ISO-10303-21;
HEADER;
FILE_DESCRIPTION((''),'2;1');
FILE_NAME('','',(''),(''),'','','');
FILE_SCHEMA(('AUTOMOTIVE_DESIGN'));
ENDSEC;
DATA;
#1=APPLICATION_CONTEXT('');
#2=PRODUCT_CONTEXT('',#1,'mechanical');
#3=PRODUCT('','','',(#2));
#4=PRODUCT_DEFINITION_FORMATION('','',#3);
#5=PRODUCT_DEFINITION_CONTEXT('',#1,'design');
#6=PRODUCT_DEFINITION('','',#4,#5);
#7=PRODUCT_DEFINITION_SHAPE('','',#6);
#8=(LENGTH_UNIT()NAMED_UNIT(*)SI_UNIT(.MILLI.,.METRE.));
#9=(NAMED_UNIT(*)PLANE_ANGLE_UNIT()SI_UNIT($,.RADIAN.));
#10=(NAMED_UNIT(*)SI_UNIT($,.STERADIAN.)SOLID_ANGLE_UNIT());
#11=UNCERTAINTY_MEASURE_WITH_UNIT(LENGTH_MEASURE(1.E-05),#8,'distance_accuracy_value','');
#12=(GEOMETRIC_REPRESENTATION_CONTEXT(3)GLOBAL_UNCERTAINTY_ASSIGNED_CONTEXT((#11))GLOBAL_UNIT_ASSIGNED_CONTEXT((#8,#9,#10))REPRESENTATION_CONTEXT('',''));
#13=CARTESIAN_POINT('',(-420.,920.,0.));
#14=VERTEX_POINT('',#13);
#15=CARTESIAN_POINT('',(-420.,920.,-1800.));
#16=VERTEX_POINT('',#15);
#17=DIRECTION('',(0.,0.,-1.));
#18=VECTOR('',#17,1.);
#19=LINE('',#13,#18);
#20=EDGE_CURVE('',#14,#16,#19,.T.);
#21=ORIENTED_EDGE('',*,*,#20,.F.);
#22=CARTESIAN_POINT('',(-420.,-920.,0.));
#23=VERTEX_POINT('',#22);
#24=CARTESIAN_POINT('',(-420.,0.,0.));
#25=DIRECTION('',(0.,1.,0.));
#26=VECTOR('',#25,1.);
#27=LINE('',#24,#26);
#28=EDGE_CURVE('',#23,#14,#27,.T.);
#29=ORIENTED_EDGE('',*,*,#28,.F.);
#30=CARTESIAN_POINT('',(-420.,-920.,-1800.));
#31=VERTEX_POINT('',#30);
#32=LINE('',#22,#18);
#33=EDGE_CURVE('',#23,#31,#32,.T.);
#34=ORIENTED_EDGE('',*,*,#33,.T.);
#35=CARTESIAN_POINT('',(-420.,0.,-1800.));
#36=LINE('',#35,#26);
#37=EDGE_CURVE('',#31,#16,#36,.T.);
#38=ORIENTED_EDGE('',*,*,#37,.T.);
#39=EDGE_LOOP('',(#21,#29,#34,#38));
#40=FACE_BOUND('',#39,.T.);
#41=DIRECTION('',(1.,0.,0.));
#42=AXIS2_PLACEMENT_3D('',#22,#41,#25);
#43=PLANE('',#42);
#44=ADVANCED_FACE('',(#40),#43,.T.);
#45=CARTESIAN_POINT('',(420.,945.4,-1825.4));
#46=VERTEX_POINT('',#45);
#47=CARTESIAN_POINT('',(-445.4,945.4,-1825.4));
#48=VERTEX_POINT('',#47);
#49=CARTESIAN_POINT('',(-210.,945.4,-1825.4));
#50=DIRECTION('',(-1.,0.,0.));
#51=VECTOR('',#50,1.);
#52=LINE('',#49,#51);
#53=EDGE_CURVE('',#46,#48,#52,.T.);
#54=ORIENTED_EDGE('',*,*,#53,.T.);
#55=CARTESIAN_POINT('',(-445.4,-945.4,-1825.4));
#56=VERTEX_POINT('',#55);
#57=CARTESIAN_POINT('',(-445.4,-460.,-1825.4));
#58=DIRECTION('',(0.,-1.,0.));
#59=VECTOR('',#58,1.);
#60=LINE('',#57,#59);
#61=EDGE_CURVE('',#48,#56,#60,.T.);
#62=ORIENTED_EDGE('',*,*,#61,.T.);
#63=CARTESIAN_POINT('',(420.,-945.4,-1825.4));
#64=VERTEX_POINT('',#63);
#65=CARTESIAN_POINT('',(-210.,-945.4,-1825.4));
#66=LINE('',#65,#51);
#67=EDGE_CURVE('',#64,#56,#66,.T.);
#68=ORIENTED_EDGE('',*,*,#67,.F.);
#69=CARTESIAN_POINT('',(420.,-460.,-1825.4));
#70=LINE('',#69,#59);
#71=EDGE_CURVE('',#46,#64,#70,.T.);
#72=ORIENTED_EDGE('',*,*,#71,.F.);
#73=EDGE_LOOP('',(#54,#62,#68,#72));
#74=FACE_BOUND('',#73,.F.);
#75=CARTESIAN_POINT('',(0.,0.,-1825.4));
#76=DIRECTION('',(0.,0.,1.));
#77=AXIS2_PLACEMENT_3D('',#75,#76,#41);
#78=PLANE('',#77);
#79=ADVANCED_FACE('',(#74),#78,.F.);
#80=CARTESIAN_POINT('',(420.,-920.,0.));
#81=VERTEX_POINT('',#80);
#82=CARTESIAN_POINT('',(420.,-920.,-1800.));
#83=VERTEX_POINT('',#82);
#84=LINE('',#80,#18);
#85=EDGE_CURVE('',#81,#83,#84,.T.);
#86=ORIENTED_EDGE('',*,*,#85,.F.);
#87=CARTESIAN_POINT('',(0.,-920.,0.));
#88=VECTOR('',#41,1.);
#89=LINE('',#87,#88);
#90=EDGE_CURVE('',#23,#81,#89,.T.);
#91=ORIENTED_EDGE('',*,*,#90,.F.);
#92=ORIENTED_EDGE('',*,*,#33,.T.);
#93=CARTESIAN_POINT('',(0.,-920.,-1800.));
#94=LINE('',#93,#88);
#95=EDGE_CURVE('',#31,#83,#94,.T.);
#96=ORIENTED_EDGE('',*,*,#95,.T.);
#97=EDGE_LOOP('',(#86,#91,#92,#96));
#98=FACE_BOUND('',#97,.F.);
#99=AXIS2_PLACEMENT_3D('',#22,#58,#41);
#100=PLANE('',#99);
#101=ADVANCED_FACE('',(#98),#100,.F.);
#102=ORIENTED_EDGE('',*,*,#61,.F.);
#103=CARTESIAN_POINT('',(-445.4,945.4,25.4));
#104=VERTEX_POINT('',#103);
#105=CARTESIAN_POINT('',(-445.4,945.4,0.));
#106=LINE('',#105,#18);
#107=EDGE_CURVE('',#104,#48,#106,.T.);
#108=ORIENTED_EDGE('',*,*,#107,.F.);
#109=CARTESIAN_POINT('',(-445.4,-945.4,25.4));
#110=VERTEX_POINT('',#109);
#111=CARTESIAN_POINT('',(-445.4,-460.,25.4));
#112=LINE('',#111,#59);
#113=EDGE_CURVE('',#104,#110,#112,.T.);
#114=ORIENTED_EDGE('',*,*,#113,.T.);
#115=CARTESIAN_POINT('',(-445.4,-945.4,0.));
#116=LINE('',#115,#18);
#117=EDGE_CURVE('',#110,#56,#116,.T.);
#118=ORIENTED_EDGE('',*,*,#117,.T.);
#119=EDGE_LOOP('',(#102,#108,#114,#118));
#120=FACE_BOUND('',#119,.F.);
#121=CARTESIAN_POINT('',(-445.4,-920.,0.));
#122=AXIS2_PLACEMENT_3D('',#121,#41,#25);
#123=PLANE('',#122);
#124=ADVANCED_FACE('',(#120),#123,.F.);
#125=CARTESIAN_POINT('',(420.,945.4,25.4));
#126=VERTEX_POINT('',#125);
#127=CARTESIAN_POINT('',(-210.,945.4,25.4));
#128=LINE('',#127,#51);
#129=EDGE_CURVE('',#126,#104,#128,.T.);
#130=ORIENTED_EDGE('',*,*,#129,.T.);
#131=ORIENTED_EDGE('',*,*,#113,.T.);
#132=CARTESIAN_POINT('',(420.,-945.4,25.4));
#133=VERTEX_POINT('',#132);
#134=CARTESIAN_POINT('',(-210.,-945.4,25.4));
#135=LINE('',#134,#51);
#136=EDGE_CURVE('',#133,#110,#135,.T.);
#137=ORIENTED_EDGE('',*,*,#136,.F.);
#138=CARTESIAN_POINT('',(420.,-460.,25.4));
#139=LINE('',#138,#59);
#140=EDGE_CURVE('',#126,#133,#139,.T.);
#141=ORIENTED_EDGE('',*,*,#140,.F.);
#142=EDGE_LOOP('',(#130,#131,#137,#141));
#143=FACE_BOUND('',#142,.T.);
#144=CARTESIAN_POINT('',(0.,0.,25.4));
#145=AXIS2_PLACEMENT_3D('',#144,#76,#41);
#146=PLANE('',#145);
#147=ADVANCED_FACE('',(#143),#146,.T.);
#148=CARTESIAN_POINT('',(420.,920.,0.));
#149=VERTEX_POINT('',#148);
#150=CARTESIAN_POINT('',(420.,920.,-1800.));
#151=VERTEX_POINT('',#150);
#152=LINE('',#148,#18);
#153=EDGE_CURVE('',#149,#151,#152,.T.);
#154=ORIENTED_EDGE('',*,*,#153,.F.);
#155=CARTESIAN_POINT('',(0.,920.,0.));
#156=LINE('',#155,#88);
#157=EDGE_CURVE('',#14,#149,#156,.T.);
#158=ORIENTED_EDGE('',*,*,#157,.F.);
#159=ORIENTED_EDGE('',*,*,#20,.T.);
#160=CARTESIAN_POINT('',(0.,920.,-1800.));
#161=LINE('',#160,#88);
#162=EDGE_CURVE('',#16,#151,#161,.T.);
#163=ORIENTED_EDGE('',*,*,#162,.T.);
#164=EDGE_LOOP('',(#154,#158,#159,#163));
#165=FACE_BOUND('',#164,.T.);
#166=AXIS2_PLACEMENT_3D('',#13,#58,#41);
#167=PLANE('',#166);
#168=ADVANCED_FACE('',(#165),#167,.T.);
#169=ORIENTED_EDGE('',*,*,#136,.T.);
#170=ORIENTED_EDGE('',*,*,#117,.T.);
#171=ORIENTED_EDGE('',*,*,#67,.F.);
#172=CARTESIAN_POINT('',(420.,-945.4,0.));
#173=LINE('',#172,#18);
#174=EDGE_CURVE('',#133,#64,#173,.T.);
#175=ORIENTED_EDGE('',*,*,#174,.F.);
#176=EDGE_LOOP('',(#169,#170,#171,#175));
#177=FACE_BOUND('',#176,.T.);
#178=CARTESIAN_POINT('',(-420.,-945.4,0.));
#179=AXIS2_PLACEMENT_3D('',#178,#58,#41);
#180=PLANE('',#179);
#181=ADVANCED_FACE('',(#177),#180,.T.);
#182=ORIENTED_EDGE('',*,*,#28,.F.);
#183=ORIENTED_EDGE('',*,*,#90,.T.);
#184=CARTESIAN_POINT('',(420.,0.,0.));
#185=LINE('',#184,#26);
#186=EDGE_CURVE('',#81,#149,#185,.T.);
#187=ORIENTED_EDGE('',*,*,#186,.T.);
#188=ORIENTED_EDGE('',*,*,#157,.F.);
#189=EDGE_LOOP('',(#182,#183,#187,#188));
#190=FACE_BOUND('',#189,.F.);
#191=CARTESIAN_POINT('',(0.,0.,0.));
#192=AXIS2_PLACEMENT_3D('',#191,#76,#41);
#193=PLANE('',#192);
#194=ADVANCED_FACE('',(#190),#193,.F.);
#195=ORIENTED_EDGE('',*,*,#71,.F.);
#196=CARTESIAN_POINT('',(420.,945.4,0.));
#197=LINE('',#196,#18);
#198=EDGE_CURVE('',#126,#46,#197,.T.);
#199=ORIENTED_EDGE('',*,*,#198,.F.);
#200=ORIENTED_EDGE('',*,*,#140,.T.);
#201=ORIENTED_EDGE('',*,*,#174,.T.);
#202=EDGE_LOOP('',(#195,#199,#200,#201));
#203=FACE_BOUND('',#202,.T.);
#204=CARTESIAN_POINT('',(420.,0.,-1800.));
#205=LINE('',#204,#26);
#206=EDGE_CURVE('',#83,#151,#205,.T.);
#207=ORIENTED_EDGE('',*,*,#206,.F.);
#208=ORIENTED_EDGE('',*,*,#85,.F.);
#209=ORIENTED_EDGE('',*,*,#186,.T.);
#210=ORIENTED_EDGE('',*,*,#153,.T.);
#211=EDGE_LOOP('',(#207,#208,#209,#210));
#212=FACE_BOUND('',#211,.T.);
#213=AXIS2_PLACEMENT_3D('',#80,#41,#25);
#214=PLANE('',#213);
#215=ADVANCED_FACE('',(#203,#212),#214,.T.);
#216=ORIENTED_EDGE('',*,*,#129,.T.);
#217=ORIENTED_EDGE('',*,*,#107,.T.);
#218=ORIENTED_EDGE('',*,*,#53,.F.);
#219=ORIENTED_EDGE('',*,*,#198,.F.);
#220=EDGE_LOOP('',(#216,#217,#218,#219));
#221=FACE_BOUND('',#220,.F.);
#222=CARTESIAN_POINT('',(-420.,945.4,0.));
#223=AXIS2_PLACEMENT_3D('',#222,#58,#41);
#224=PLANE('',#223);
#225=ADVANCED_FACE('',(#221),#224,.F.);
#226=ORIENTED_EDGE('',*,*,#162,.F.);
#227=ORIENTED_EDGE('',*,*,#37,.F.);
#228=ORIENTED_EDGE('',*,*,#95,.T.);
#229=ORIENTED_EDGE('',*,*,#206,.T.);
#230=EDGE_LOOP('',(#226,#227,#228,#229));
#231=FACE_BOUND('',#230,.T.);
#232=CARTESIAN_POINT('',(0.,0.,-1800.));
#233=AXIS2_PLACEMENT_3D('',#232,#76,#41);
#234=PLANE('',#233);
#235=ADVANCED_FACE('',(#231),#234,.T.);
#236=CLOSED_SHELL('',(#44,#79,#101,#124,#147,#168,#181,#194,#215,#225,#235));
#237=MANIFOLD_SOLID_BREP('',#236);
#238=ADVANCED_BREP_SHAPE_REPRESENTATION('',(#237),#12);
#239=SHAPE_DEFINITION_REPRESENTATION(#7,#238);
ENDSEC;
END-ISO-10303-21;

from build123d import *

# Parameters (mm, degrees)
F0_W     = 840
F0_H     = 1840
F1_DEPTH = 1800
F2_T     = 25.4


with BuildPart() as f1:
    # F0 (on Top) → F1 (new body)
    with BuildSketch(Plane.XY):
        Rectangle(F0_W, F0_H)
    extrude(amount=-F1_DEPTH)

    # F2
    f2_openings = [f1.faces().sort_by_distance(p)[0] for p in [
        (420, 0, -900),
    ]]
    offset(amount=F2_T, openings=f2_openings, kind=Kind.INTERSECTION)


solid = f1.part
